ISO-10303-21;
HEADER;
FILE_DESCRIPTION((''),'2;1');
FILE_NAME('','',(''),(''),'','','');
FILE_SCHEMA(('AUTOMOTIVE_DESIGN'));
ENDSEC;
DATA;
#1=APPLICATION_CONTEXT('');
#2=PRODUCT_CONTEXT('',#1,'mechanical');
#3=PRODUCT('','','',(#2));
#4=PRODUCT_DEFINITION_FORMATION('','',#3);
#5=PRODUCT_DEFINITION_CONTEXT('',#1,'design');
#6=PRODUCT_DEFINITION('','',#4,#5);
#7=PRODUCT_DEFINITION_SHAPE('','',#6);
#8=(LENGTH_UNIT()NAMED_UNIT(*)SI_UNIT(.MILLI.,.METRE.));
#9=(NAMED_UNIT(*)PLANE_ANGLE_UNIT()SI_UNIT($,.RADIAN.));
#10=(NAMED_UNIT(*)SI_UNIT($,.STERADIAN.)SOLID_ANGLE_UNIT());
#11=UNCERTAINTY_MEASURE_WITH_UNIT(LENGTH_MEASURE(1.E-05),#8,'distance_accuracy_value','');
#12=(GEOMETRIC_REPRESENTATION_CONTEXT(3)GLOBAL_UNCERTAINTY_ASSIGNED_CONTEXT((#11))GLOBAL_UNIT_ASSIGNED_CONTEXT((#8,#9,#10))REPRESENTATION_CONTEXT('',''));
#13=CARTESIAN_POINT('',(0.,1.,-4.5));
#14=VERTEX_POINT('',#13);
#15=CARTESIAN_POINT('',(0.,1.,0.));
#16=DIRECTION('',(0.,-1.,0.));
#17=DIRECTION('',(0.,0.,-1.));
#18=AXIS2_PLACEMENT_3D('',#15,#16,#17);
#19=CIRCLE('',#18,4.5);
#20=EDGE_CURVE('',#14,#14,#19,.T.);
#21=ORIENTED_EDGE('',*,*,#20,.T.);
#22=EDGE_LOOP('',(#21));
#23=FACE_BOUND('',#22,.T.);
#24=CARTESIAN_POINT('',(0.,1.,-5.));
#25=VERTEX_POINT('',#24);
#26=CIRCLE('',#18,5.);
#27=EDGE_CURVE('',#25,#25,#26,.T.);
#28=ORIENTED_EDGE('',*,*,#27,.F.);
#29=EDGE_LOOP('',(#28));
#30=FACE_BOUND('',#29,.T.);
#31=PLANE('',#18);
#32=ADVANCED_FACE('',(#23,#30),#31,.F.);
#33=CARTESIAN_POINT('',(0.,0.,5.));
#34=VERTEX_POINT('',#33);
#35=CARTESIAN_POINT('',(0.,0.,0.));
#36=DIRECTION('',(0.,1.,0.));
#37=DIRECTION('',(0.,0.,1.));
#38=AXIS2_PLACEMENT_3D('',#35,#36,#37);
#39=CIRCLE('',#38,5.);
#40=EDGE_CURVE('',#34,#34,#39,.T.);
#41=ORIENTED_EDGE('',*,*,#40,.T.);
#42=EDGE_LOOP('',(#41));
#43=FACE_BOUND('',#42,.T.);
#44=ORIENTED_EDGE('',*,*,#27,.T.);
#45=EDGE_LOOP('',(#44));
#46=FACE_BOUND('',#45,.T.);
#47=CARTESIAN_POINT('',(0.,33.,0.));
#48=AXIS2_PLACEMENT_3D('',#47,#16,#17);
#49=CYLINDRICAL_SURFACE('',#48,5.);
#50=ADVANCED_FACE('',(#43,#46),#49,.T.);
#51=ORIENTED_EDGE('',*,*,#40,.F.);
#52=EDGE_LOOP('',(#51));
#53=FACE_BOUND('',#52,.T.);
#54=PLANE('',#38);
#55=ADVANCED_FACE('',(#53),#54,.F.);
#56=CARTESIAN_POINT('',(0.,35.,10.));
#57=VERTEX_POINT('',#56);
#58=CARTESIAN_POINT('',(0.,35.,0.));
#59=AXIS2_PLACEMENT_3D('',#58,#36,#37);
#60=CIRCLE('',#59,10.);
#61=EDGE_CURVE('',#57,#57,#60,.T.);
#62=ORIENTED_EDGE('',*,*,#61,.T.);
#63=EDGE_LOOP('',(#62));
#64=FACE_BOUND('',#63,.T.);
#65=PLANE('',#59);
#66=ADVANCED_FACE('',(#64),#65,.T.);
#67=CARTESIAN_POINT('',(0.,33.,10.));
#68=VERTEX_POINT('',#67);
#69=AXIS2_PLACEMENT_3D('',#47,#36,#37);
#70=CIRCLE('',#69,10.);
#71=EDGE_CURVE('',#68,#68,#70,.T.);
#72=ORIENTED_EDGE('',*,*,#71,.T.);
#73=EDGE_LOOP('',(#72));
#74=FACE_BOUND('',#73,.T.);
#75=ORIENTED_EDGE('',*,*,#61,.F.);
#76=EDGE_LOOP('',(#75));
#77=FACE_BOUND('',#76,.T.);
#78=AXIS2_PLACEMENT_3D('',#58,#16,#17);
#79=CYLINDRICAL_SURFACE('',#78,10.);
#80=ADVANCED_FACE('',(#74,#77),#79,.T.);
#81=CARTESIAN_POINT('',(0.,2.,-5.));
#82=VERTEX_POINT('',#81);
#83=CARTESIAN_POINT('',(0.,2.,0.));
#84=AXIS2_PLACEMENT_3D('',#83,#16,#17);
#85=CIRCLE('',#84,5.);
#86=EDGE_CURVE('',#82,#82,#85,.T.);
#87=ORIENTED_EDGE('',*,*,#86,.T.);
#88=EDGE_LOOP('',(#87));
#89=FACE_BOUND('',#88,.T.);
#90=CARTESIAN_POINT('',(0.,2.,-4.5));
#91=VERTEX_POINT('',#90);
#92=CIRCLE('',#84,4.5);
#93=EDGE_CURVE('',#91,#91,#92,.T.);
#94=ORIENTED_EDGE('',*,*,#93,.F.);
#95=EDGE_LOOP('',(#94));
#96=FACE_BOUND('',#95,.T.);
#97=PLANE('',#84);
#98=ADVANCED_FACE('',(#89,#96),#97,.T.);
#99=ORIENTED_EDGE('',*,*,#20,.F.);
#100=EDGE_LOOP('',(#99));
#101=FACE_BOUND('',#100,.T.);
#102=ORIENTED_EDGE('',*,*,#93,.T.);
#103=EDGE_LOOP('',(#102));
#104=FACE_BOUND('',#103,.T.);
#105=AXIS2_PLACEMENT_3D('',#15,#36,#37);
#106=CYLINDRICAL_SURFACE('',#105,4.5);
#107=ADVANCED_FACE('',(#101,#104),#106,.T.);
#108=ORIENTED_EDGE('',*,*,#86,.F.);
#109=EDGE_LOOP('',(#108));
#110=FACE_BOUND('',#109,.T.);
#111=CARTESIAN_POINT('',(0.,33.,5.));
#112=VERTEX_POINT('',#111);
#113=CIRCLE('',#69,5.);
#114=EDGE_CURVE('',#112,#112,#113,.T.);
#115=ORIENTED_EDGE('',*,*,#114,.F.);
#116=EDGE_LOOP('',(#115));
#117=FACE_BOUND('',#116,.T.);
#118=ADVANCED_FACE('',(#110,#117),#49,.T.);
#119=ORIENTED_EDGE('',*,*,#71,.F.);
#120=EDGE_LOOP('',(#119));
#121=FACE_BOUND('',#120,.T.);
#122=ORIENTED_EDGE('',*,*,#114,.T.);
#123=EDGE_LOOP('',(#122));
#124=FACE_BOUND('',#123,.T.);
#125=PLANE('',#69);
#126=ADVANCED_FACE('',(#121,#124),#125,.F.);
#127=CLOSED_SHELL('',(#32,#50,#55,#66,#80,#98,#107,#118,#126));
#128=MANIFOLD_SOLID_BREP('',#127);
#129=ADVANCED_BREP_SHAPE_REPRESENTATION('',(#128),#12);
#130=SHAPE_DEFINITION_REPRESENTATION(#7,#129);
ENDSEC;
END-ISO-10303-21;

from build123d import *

# Parameters (mm, degrees)
CROQUIS1_R              = 5
SALIENTE_EXTRUIR1_DEPTH = 33
CROQUIS2_R              = 10
SALIENTE_EXTRUIR2_DEPTH = 2
SKETCH3_R               = 5
SKETCH3_R_2             = 4.5
CUT_EXTRUDE1_DEPTH      = 1


with BuildPart() as part:
    # Croquis1 → Saliente-Extruir1 (new body)
    with BuildSketch(Plane(origin=(0, 0, 0), x_dir=(1, 0, 0), z_dir=(0, 1, 0))):
        Circle(CROQUIS1_R)
    extrude(amount=SALIENTE_EXTRUIR1_DEPTH)

    # Croquis2 → Saliente-Extruir2 (add)
    with BuildSketch(Plane(origin=(0, 33, 0), x_dir=(1, 0, 0), z_dir=(0, 1, 0))):
        Circle(CROQUIS2_R)
    extrude(amount=SALIENTE_EXTRUIR2_DEPTH)

    # Sketch3 → Cut-Extrude1 (cut)
    with BuildSketch(Plane(origin=(0, 2, 0), x_dir=(-1, 0, 0), z_dir=(0, -1, 0))):
        Circle(SKETCH3_R)
        Circle(SKETCH3_R_2, mode=Mode.SUBTRACT)
    extrude(amount=CUT_EXTRUDE1_DEPTH, mode=Mode.SUBTRACT)


solid = part.part
